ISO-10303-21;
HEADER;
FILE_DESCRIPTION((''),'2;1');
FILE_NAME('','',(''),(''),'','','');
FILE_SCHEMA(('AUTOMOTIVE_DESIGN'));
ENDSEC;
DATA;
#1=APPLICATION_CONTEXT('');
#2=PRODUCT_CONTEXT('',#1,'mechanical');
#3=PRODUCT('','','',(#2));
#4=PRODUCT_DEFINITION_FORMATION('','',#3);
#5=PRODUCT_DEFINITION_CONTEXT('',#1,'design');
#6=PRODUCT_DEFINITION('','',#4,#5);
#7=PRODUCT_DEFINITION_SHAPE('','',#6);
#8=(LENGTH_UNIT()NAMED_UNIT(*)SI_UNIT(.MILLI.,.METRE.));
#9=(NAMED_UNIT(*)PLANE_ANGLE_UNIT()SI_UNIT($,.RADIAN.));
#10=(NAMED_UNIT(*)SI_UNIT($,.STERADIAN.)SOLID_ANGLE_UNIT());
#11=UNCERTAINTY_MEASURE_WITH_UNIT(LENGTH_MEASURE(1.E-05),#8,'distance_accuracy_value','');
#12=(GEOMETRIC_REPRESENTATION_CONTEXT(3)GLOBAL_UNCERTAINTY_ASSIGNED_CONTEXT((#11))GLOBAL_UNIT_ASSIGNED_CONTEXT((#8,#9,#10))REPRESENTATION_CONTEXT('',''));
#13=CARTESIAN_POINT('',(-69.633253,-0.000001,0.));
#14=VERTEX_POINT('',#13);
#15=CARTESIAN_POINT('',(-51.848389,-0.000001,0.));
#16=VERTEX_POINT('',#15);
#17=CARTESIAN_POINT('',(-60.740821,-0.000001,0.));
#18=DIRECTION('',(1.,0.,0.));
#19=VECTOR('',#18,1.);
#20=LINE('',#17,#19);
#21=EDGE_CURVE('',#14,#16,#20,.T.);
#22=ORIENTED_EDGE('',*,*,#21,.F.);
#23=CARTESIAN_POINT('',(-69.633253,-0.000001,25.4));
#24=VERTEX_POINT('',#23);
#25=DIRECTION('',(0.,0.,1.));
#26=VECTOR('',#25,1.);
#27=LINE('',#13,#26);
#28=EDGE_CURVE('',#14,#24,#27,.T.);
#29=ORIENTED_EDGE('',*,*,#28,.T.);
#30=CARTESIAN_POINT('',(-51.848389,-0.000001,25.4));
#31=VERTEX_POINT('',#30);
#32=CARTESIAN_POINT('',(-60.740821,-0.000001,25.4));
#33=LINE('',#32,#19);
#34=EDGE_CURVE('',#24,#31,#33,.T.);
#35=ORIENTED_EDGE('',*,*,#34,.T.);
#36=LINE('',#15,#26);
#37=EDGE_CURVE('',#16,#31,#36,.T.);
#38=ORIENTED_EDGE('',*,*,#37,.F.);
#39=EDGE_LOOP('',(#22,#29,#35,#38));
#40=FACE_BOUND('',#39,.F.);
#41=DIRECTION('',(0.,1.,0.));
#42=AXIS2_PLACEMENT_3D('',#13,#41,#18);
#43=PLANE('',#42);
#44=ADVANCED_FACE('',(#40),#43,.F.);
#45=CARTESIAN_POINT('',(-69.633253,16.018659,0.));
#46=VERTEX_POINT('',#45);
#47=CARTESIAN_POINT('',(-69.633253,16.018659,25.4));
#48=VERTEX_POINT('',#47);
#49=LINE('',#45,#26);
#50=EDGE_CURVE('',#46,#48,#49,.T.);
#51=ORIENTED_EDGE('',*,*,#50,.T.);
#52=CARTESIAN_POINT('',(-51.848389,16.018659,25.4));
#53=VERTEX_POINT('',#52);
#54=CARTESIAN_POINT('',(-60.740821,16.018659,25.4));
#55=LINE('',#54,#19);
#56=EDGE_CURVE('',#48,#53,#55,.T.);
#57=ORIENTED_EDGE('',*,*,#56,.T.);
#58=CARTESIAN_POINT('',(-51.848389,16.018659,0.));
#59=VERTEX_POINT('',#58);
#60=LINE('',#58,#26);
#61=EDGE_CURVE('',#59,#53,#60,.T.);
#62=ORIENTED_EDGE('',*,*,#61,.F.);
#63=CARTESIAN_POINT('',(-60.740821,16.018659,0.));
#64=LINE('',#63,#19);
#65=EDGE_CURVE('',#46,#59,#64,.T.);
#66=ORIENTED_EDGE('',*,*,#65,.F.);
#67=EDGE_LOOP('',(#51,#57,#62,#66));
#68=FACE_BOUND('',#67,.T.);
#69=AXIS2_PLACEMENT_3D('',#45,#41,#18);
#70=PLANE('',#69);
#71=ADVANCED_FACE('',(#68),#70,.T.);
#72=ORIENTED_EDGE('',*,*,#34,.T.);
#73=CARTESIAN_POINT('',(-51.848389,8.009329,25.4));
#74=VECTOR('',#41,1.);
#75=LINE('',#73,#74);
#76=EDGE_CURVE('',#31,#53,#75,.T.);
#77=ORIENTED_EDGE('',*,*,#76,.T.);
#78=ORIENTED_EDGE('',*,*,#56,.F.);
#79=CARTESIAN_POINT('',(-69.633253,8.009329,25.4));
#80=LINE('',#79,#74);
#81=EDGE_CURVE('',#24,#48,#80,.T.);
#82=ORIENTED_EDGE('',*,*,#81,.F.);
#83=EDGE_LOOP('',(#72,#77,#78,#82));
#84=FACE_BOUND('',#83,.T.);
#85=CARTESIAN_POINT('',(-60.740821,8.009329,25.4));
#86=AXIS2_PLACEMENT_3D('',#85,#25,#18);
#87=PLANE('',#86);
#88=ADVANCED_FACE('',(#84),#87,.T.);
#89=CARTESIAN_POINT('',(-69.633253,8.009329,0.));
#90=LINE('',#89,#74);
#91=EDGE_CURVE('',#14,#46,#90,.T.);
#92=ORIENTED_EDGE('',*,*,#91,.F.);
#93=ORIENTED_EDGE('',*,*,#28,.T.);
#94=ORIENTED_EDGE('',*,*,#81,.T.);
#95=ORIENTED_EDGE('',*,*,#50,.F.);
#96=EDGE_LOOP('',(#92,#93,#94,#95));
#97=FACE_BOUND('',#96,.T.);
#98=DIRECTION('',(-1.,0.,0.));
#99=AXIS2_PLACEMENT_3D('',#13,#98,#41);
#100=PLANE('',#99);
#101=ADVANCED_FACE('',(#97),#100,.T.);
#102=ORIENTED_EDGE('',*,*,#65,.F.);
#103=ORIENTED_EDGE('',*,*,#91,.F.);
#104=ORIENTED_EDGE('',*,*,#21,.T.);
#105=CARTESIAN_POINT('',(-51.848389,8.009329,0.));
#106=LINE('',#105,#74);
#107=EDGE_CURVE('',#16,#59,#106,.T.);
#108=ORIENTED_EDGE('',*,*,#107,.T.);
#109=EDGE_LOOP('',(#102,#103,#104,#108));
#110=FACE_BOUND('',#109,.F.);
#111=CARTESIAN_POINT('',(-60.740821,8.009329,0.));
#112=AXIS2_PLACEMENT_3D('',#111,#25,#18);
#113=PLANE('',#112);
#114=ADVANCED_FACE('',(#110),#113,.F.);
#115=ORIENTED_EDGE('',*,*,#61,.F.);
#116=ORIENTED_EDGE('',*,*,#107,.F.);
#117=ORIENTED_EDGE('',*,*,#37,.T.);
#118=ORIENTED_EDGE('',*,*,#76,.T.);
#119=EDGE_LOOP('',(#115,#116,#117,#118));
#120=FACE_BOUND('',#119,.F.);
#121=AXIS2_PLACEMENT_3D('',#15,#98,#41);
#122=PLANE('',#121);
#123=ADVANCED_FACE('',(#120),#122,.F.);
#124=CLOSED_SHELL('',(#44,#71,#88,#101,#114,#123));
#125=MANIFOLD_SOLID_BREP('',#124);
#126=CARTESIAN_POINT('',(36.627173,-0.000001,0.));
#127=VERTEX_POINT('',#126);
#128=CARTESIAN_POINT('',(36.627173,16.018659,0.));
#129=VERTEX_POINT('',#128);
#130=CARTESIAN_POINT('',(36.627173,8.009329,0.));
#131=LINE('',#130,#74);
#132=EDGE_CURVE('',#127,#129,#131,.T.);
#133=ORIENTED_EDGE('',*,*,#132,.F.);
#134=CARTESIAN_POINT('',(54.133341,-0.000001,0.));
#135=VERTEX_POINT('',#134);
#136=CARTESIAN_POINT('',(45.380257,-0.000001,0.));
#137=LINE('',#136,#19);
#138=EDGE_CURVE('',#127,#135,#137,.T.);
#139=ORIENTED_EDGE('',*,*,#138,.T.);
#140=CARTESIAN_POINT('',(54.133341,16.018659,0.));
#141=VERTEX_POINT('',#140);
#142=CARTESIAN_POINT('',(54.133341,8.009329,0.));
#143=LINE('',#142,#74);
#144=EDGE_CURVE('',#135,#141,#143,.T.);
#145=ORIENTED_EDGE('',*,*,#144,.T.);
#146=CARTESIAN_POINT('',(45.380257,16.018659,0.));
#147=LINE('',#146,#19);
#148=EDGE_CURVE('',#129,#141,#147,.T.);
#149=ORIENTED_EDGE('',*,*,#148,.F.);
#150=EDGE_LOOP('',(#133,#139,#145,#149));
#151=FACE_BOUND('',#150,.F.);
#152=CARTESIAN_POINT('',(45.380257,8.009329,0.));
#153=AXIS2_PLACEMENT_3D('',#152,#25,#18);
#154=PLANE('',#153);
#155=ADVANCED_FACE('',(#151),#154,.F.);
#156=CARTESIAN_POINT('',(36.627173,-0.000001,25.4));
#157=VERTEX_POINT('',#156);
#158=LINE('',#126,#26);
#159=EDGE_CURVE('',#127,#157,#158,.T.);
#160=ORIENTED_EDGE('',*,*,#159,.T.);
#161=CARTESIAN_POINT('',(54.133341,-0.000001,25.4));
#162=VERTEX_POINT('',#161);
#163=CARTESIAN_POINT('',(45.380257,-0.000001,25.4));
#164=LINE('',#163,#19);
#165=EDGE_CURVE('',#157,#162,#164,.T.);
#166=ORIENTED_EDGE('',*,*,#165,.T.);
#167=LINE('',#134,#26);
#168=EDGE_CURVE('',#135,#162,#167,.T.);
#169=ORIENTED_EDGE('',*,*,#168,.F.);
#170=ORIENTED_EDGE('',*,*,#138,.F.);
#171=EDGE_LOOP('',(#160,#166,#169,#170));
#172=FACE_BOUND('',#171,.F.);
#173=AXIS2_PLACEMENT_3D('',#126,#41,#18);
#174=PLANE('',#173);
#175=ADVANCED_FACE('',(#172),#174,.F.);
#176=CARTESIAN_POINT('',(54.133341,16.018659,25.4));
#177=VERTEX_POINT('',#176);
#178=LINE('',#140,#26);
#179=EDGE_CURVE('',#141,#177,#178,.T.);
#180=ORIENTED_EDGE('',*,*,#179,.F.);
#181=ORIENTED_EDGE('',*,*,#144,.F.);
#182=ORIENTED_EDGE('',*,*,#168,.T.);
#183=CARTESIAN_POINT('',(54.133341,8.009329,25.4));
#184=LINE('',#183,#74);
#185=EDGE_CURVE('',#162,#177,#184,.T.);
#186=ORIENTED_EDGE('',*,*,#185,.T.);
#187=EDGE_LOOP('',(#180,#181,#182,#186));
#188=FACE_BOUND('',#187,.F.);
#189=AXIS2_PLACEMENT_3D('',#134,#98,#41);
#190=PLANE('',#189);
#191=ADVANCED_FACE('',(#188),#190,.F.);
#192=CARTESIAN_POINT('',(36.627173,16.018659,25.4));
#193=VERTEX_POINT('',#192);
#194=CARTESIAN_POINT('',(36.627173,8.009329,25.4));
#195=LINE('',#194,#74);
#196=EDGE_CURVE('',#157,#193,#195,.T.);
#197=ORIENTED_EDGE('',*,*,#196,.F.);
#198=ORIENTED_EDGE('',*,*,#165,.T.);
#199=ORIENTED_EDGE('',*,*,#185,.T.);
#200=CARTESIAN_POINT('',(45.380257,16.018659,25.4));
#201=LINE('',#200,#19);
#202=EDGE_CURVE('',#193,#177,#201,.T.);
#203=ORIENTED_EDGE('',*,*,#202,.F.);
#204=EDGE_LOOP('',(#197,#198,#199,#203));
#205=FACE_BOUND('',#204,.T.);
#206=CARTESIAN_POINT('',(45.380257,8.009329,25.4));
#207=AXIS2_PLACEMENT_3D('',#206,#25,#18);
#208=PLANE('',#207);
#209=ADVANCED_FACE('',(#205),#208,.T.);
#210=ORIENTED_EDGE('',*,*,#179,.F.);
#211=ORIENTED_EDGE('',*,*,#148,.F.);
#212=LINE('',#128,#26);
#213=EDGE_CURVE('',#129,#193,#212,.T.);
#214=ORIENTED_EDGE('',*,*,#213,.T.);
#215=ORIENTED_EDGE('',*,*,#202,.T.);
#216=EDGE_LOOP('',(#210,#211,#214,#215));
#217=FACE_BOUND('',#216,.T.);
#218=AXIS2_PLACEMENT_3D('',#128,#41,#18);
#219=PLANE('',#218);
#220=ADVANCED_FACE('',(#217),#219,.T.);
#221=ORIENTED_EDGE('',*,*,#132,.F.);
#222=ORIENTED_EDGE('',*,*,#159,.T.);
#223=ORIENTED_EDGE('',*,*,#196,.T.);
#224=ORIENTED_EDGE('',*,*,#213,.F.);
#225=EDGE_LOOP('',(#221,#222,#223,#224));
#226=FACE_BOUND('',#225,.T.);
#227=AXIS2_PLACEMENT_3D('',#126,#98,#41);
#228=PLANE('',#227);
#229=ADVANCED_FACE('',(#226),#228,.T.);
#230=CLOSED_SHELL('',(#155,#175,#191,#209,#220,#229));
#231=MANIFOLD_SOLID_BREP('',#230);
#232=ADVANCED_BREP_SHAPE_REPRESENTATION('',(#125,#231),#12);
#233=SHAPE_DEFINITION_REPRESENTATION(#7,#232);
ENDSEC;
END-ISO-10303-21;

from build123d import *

# Parameters (mm, degrees)
F0_W     = 17.784864
F0_H     = 16.018659
F0_W_2   = 17.506168
F1_DEPTH = 25.4


with BuildPart() as f1:
    # F0 (on Top) → F1 (new body)
    with BuildSketch(Plane.XY):
        with Locations((-60.740821, 8.009329)):
            Rectangle(F0_W, F0_H)
        with Locations((45.380257, 8.009329)):
            Rectangle(F0_W_2, F0_H)
    extrude(amount=F1_DEPTH)


solid = f1.part
